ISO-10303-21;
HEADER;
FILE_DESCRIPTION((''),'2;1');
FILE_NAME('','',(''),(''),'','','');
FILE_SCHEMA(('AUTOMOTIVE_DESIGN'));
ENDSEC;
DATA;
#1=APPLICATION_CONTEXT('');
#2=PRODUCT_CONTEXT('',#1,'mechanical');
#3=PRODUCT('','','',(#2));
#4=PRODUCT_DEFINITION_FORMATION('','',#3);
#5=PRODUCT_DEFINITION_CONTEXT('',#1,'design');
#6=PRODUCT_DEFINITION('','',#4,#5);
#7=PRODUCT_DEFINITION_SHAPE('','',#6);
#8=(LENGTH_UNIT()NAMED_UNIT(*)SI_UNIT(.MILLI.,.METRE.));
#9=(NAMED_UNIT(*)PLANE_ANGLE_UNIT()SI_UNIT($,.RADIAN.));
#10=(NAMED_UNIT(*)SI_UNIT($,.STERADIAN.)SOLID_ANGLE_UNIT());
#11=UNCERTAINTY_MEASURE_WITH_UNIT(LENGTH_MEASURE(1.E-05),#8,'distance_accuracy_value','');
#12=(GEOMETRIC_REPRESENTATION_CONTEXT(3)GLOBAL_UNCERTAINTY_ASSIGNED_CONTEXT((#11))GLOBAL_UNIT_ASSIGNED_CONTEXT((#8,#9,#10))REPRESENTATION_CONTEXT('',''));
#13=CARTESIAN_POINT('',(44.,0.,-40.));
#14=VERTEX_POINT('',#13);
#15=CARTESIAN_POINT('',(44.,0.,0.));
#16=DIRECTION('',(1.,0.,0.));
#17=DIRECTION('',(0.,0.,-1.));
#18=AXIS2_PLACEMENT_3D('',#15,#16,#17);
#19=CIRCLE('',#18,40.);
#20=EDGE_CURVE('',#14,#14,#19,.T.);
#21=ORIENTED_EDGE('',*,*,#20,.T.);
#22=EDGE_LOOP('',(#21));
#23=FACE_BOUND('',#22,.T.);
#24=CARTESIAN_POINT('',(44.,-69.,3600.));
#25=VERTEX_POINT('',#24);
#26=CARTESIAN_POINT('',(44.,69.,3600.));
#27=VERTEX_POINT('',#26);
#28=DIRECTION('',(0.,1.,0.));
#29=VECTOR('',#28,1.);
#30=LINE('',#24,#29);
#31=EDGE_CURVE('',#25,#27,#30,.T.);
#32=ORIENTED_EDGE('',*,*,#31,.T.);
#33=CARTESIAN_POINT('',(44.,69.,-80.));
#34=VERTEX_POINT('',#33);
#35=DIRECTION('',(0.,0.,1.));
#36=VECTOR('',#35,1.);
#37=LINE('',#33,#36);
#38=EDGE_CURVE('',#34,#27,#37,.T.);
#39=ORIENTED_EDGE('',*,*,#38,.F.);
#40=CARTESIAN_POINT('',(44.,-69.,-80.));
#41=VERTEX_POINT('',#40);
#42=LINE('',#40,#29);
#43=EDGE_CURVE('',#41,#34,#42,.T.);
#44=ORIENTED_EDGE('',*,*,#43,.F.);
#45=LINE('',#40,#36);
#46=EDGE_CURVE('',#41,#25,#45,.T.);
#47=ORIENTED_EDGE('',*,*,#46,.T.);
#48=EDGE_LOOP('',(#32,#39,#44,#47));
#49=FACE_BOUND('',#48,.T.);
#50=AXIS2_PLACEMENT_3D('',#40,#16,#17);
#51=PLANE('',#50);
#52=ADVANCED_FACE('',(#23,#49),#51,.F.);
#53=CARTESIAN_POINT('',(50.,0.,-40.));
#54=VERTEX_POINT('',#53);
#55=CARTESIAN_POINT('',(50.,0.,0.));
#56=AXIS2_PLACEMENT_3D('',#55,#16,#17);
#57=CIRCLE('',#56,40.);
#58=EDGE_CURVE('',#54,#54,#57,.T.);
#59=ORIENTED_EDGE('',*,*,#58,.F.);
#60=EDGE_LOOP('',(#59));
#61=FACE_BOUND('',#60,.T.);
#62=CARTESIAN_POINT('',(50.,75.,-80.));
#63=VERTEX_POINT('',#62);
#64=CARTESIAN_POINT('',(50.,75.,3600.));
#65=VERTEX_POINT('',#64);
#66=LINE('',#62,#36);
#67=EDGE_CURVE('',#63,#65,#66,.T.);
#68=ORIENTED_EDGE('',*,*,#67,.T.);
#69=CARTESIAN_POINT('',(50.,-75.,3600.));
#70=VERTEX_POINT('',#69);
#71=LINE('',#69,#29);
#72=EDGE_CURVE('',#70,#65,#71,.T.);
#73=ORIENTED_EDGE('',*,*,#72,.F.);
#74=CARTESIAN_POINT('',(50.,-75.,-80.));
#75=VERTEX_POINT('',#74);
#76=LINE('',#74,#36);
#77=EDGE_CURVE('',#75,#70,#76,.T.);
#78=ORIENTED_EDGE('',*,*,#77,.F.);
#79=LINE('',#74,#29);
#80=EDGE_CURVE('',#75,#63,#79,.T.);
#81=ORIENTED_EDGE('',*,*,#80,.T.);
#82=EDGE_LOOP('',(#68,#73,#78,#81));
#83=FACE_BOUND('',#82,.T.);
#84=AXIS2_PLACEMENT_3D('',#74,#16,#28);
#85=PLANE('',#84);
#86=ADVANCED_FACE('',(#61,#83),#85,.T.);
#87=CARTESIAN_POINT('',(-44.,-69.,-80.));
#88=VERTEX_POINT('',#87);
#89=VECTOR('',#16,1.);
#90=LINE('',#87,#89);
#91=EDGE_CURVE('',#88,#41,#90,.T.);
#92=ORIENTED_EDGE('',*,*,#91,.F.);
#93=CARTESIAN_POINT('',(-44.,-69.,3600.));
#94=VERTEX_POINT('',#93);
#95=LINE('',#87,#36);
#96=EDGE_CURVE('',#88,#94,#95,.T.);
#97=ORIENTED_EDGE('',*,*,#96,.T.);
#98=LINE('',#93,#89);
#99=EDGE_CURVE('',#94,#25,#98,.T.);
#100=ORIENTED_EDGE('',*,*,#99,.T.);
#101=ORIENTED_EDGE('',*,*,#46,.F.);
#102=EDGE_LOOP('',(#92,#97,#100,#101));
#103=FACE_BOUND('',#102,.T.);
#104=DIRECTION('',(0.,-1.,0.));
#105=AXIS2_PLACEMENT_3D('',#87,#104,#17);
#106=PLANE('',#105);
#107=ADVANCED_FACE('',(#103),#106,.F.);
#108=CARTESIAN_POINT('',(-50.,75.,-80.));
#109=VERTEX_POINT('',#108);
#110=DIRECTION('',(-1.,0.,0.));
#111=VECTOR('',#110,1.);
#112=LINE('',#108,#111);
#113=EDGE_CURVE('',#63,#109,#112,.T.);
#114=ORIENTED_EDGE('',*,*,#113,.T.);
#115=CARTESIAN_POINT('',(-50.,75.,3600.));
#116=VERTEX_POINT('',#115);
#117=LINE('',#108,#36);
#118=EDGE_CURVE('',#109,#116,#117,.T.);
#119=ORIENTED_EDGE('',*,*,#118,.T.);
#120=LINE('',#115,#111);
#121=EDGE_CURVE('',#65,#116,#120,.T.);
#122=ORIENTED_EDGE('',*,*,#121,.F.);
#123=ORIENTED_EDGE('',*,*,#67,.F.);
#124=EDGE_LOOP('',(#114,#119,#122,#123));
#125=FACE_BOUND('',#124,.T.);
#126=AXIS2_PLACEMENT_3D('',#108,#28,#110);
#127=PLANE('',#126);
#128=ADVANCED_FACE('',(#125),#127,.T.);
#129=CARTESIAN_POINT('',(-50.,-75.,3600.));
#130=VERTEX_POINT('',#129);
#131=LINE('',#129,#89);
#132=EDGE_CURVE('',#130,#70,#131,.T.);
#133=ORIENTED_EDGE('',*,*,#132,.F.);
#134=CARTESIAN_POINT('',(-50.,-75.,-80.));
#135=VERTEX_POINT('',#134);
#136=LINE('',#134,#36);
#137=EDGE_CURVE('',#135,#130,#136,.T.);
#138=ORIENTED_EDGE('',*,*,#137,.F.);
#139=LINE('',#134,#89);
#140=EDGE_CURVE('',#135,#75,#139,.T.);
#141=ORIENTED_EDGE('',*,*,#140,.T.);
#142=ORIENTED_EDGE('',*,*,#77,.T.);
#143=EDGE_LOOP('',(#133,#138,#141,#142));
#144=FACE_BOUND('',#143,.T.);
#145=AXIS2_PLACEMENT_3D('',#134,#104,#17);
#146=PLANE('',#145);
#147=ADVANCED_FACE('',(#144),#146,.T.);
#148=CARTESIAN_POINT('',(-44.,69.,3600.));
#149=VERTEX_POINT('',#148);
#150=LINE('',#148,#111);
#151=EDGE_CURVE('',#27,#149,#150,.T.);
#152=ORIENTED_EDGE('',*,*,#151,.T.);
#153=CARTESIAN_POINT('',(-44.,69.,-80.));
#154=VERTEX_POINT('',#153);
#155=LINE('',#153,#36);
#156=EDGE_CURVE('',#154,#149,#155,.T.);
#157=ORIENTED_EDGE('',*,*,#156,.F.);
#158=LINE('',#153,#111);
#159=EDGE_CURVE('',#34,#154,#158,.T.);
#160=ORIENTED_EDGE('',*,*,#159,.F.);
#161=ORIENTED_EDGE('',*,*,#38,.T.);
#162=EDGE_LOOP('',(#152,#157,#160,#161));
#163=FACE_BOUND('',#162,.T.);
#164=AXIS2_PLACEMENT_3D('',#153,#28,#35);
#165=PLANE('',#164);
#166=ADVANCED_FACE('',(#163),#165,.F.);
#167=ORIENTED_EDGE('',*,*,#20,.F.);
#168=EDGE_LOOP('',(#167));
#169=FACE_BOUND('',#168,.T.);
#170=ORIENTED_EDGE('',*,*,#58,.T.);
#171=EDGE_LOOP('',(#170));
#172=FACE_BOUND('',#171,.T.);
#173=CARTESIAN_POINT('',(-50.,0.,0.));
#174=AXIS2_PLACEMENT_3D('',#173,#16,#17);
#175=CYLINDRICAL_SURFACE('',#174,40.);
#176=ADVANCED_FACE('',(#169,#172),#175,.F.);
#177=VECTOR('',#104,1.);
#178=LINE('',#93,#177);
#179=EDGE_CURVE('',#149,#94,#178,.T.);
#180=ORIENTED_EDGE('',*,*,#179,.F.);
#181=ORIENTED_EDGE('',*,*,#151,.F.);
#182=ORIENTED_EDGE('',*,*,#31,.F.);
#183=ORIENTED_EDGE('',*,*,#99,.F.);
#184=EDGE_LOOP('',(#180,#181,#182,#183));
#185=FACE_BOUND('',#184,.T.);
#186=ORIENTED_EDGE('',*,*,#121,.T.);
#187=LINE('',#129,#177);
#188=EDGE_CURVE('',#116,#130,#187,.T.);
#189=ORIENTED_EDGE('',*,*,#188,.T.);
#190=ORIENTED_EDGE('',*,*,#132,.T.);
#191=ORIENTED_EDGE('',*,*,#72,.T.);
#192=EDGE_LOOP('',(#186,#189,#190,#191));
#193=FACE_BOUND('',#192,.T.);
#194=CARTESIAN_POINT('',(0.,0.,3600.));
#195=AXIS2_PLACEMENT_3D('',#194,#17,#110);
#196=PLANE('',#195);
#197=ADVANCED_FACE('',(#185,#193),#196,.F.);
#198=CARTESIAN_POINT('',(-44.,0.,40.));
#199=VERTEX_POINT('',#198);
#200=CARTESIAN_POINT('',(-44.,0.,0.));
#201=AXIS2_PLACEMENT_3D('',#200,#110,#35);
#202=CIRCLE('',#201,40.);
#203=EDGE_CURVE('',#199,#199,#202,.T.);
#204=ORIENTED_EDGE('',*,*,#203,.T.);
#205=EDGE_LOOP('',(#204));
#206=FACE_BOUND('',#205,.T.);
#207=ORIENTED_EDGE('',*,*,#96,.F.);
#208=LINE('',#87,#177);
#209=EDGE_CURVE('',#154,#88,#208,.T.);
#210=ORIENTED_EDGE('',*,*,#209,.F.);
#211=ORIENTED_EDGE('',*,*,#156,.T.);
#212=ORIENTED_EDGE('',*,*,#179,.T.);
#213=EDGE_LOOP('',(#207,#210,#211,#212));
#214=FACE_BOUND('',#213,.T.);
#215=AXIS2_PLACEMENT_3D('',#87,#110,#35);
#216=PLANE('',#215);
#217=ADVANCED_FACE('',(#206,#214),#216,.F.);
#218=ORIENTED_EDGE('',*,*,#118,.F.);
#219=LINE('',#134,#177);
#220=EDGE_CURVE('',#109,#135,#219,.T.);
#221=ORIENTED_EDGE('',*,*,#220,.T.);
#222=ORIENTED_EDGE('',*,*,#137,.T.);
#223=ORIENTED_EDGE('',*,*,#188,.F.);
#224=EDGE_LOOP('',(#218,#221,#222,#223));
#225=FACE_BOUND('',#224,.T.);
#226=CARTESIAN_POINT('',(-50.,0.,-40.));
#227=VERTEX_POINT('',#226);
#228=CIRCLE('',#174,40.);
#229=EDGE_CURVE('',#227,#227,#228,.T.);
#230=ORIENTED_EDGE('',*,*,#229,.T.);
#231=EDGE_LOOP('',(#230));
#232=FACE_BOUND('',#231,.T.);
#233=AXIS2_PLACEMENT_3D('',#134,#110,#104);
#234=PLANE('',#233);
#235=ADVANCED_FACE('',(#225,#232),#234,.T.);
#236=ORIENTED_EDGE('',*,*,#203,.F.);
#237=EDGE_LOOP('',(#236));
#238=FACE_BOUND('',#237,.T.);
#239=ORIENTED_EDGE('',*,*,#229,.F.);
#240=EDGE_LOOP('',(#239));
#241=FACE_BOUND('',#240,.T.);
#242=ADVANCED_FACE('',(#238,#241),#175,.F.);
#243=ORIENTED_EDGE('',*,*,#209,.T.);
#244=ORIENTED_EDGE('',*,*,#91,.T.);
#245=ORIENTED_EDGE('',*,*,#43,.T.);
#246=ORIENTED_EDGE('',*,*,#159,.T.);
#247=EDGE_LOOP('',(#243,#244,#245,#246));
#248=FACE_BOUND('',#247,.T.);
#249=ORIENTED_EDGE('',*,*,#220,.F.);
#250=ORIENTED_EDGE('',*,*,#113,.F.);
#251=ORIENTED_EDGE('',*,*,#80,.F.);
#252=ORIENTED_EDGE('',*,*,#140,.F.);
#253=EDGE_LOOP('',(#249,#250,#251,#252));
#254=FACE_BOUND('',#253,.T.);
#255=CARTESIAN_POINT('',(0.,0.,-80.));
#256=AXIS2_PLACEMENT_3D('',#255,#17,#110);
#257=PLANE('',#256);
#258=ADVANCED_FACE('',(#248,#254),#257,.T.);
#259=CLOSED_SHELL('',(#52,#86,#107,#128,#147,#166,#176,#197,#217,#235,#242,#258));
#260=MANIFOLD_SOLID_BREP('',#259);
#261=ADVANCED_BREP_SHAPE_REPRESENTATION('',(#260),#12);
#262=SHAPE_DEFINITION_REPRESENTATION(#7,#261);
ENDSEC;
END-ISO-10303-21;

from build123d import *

# Parameters (mm, degrees)
SKETCH1_W                = 100
SKETCH1_H                = 150
SKETCH1_W_2              = 88
SKETCH1_H_2              = 138
BOSS_EXTRUDE1_DEPTH      = 3600
BOSS_EXTRUDE1_DEPTH_BACK = 80
SKETCH2_R                = 40
CUT_EXTRUDE1_DEPTH       = 51
CUT_EXTRUDE1_DEPTH_BACK  = 51


with BuildPart() as part:
    # Sketch1 → Boss-Extrude1 (new body, two sides)
    with BuildSketch(Plane.XY) as boss_extrude1_sk:
        Rectangle(SKETCH1_W, SKETCH1_H)
        Rectangle(SKETCH1_W_2, SKETCH1_H_2, mode=Mode.SUBTRACT)
    extrude(amount=BOSS_EXTRUDE1_DEPTH)
    extrude(boss_extrude1_sk.sketch, amount=-BOSS_EXTRUDE1_DEPTH_BACK)

    # Sketch2 → Cut-Extrude1 (cut, two sides)
    with BuildSketch(Plane(origin=(0, 0, 0), x_dir=(0, 0, -1), z_dir=(1, 0, 0))) as cut_extrude1_sk:
        Circle(SKETCH2_R)
    extrude(amount=CUT_EXTRUDE1_DEPTH, mode=Mode.SUBTRACT)
    extrude(cut_extrude1_sk.sketch, amount=-CUT_EXTRUDE1_DEPTH_BACK, mode=Mode.SUBTRACT)


solid = part.part
